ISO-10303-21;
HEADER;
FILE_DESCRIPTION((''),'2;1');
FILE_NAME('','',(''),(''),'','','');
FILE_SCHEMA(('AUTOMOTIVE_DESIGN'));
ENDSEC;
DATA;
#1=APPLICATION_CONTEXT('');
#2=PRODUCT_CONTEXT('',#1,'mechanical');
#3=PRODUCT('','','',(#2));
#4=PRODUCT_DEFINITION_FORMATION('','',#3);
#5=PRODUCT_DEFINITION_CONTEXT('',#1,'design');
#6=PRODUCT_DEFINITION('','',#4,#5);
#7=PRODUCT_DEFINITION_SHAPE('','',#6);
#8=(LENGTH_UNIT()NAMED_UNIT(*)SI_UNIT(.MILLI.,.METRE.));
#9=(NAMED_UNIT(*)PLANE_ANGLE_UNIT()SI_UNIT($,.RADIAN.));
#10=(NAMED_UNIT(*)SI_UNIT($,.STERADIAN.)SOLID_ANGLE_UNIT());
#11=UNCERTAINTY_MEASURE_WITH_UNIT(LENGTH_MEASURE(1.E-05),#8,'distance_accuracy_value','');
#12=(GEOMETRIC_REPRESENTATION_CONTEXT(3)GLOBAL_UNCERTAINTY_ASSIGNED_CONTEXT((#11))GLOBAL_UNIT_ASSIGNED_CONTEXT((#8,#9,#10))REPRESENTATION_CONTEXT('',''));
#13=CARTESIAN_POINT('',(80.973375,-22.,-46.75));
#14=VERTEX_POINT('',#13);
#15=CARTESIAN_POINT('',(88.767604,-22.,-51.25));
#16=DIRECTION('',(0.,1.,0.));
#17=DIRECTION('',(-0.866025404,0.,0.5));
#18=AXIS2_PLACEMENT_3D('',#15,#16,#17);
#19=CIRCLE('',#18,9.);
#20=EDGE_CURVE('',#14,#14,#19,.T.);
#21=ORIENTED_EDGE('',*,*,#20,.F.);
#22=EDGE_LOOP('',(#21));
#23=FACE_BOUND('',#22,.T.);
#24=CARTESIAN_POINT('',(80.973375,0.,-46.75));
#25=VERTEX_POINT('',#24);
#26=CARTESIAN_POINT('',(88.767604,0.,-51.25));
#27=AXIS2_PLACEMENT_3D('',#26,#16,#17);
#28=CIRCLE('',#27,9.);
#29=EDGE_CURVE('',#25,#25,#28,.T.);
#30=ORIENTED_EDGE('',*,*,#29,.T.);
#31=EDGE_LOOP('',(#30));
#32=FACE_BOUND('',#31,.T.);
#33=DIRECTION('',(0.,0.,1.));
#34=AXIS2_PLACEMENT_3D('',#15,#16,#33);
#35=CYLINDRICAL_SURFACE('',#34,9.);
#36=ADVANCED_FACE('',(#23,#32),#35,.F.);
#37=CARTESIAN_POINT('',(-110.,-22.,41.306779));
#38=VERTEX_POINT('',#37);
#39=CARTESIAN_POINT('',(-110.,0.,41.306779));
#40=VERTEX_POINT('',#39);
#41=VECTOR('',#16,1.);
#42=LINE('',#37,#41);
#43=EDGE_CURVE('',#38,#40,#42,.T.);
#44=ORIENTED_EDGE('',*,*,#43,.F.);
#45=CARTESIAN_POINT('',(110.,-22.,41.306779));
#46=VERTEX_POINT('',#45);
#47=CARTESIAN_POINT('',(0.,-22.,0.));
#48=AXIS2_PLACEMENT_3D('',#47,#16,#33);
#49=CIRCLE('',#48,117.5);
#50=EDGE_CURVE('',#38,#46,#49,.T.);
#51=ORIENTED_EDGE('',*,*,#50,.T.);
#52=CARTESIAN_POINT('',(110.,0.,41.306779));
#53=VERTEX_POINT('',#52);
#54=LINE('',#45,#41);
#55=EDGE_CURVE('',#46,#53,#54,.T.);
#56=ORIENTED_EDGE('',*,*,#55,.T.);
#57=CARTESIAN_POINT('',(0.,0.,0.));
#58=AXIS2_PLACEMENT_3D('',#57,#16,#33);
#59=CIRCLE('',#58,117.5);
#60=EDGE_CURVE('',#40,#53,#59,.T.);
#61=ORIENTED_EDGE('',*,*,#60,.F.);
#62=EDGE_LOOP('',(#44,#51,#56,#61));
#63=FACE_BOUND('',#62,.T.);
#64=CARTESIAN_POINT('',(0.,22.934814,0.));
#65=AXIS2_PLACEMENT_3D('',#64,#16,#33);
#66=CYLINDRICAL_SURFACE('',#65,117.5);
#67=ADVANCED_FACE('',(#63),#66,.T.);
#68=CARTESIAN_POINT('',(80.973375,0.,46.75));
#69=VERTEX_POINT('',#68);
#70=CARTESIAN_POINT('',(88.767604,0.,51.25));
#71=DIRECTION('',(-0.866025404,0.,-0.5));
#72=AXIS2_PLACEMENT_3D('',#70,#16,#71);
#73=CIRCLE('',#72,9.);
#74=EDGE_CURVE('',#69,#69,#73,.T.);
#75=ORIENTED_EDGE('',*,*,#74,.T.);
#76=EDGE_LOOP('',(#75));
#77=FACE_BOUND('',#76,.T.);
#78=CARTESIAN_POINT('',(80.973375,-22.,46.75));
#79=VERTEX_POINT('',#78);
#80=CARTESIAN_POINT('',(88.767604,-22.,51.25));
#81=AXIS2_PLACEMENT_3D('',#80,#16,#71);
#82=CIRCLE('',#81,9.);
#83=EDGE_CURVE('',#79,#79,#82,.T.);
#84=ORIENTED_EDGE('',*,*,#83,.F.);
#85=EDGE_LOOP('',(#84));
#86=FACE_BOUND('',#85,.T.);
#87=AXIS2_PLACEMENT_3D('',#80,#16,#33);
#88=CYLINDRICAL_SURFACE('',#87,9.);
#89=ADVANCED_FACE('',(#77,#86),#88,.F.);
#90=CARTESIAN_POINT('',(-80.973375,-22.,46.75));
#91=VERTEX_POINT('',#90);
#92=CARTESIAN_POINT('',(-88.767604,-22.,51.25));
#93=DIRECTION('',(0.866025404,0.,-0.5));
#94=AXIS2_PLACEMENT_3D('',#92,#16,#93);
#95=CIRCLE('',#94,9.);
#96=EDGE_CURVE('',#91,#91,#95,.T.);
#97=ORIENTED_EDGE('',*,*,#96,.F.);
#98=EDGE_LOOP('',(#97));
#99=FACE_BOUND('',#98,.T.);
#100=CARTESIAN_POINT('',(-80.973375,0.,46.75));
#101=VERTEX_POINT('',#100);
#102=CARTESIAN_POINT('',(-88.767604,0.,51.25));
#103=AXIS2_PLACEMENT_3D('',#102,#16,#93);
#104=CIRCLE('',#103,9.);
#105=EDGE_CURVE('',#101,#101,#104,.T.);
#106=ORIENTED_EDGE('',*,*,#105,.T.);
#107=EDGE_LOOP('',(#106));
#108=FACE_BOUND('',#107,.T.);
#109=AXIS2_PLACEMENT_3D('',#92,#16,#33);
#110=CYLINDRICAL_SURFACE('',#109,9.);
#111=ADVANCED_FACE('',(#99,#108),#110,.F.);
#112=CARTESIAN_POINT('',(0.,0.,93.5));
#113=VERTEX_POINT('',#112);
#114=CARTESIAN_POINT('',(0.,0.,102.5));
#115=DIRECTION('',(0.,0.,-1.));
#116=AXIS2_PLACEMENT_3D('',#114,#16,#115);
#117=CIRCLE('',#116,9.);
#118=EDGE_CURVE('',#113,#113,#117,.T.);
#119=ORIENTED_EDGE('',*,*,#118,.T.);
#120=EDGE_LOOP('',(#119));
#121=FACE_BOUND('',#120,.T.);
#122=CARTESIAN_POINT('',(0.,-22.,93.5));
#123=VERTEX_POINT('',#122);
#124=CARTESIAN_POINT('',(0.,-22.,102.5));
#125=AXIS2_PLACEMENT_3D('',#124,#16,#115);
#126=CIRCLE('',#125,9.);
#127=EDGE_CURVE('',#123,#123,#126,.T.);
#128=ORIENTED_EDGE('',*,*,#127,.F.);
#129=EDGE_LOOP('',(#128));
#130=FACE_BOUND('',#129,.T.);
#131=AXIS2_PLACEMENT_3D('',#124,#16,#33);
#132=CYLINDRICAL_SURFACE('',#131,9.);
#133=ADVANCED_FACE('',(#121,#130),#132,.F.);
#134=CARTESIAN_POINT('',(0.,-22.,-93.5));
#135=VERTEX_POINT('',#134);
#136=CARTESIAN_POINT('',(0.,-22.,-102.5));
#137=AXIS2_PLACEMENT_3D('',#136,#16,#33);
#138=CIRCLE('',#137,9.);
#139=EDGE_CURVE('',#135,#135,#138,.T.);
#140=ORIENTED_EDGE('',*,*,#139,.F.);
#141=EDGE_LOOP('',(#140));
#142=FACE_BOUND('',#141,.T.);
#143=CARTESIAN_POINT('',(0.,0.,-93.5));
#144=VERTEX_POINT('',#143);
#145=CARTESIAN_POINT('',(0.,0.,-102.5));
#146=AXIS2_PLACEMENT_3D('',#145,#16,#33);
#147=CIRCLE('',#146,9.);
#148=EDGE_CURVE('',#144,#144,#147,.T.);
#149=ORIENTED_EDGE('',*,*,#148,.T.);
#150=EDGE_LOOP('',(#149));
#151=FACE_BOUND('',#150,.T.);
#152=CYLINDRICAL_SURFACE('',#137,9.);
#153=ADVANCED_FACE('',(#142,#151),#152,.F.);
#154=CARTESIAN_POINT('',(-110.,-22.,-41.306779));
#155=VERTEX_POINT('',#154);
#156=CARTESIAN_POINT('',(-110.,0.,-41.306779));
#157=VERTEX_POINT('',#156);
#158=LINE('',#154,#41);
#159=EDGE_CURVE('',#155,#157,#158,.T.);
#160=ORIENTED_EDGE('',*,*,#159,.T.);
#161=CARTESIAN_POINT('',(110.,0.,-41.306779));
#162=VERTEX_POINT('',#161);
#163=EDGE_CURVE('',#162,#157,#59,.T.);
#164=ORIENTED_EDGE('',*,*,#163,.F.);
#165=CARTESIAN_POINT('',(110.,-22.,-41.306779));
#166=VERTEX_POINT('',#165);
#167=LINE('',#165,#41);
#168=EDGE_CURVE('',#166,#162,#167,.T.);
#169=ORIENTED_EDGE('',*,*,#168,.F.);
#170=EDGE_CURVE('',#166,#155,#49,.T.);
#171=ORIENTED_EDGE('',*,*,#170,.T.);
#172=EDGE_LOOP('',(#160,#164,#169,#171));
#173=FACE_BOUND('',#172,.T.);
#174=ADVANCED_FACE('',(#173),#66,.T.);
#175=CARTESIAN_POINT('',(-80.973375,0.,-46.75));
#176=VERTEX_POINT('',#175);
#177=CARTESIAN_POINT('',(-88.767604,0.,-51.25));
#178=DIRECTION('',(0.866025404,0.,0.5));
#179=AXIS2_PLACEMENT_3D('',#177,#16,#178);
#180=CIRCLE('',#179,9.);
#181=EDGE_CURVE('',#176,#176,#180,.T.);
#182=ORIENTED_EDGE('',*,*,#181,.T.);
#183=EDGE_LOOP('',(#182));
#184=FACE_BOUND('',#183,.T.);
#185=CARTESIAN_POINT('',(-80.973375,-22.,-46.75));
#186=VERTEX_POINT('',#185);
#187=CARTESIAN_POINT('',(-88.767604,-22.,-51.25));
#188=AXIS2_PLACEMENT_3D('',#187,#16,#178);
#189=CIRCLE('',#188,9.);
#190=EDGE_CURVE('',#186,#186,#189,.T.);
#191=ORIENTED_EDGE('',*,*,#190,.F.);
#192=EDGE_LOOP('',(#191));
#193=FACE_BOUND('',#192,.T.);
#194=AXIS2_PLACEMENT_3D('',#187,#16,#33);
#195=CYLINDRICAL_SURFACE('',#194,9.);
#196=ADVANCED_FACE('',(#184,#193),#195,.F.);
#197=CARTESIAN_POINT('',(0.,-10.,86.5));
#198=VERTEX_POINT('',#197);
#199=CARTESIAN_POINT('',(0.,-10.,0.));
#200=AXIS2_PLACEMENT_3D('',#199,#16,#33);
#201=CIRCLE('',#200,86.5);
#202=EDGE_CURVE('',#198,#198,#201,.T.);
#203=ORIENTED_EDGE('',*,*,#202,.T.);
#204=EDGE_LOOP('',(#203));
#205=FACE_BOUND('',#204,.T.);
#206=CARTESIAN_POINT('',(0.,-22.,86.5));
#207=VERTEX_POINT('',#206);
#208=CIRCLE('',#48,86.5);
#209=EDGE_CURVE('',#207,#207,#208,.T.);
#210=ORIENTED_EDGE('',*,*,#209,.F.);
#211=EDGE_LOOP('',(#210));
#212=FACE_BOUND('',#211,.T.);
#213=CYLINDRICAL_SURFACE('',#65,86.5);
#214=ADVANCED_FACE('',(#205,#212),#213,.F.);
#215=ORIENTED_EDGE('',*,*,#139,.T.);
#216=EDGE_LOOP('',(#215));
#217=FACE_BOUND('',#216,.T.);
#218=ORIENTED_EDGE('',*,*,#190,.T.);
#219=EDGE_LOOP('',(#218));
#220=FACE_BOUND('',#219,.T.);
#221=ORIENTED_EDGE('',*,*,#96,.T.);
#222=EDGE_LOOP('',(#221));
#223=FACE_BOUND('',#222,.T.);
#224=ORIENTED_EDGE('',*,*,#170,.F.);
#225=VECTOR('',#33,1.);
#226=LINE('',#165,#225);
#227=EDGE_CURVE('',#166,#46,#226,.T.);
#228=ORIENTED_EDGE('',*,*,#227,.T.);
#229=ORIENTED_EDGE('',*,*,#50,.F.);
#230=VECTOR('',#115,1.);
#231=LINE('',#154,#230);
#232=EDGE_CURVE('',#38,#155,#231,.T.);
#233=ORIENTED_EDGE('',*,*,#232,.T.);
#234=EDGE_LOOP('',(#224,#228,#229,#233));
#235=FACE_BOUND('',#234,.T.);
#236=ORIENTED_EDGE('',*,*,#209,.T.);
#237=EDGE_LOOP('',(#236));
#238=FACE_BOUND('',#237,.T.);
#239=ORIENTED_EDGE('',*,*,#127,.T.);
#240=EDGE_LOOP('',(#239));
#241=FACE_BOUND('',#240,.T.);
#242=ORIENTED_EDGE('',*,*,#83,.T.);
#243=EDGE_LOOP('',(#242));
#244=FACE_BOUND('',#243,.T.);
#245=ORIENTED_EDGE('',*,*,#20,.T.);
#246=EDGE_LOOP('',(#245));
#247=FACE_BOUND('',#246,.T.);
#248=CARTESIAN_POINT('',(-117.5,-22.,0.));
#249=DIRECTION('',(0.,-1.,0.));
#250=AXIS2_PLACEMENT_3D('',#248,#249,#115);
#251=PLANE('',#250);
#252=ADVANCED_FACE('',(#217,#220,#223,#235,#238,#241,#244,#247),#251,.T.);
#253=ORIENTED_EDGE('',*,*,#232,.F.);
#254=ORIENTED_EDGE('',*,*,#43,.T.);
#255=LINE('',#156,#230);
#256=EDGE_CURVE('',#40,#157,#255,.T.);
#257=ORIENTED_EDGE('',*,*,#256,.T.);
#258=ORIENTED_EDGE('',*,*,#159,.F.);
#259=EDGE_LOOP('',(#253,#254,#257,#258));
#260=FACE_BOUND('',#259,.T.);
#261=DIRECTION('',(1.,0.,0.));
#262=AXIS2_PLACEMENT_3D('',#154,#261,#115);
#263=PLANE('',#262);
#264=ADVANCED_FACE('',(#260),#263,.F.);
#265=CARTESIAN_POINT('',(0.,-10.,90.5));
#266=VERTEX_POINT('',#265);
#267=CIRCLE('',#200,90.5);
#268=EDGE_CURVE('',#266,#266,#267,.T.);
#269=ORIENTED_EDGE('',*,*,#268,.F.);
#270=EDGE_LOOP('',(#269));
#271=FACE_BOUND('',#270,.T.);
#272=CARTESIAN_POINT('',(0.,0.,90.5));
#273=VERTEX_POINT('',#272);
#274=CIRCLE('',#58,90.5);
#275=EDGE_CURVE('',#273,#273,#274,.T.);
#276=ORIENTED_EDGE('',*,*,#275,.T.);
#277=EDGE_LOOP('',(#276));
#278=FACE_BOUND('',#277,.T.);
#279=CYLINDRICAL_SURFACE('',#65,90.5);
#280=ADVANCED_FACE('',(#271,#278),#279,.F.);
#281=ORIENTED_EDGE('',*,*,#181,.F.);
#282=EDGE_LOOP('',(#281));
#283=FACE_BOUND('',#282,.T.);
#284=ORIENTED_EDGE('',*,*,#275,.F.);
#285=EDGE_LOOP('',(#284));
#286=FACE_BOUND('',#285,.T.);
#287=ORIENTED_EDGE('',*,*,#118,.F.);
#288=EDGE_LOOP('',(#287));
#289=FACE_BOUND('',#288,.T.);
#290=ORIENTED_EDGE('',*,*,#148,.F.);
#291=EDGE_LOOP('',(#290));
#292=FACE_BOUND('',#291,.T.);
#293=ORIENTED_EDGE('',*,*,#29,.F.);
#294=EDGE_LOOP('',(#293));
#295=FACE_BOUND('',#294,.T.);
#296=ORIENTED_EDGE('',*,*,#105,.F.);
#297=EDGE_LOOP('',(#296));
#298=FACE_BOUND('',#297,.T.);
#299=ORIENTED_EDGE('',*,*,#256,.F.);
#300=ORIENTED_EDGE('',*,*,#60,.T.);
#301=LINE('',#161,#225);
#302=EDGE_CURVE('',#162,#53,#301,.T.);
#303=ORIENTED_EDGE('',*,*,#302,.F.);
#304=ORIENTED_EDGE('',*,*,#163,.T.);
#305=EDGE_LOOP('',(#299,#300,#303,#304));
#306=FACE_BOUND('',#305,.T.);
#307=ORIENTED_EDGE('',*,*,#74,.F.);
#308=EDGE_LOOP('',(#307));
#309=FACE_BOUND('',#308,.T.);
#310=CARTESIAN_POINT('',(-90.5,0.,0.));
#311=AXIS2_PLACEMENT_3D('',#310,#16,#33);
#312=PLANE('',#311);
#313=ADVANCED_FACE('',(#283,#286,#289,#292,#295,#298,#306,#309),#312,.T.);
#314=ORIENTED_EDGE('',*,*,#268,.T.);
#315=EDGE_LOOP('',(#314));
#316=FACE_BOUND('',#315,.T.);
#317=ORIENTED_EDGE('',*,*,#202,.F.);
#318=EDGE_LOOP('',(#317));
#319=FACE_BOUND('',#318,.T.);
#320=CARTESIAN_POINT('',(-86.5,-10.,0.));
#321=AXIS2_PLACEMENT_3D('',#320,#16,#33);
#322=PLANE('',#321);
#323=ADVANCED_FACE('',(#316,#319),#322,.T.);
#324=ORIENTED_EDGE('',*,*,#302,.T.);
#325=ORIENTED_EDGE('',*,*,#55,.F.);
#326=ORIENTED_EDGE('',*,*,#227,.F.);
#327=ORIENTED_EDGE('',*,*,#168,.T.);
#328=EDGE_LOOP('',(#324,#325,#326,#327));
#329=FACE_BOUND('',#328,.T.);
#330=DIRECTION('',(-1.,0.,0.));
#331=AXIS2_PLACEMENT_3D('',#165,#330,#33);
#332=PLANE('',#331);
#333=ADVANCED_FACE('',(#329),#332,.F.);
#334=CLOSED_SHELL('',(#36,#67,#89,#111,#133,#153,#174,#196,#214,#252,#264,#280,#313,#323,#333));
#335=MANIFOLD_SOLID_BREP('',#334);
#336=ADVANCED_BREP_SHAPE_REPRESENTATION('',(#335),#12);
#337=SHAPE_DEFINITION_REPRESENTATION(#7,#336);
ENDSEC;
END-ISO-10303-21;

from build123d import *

# Parameters (mm, degrees)
CUT_EXTRUDE_1_DEPTH      = 168.620106193
SKETCH_3_R               = 9
CUT_EXTRUDE_2_DEPTH      = 163.450761771
PATTERN_CIRCULAR_1_COUNT = 6


with BuildPart() as part:
    # Эскиз1 → Повернуть1 (revolve)
    with BuildSketch(Plane.XY, mode=Mode.PRIVATE) as revolve_1_sk:
        Polygon((-90.5, 0), (-117.5, 0), (-117.5, -22), (-86.5, -22), (-86.5, -10), (-90.5, -10), align=None)
    revolve(revolve_1_sk.sketch.rotate(Axis((0, 22.934814099, 0), (0, -1, 0)), 270), axis=Axis((0, 22.934814099, 0), (0, -1, 0)))

    # Эскиз2 → Вырез-Вытянуть1 (cut, through all)
    with BuildSketch(Plane(origin=(0, 0, 0), x_dir=(1, 0, 0), z_dir=(0, 1, 0))):
        with BuildLine():
            Line((-110, 41.306779105), (-110, -41.306779105))
            ThreePointArc((-110, -41.306779105), (-117.5, 0), (-110, 41.306779105))
        make_face()
        with BuildLine():
            Line((110, 41.306779105), (110, -41.306779105))
            ThreePointArc((110, -41.306779105), (117.5, 0), (110, 41.306779105))
        make_face()
    extrude(amount=-CUT_EXTRUDE_1_DEPTH, mode=Mode.SUBTRACT)

    # Эскиз3 → Вырез-Вытянуть2 (cut, through all)
    with BuildSketch(Plane(origin=(0, 0, 0), x_dir=(1, 0, 0), z_dir=(0, 1, 0))):
        with Locations(Location((0, 102.5, 0), (0, 0, 270))):
            Circle(SKETCH_3_R)
    cut_extrude_2 = extrude(amount=-CUT_EXTRUDE_2_DEPTH, mode=Mode.SUBTRACT)

    # Круговой массив1: Вырез-Вытянуть2 ×6 about axis
    pattern_circular_1_axis = Axis((0, 0, 0), (0, 1, 0))
    for i in range(1, PATTERN_CIRCULAR_1_COUNT):
        add(cut_extrude_2.rotate(pattern_circular_1_axis, i * 360 / PATTERN_CIRCULAR_1_COUNT), mode=Mode.SUBTRACT)


solid = part.part
